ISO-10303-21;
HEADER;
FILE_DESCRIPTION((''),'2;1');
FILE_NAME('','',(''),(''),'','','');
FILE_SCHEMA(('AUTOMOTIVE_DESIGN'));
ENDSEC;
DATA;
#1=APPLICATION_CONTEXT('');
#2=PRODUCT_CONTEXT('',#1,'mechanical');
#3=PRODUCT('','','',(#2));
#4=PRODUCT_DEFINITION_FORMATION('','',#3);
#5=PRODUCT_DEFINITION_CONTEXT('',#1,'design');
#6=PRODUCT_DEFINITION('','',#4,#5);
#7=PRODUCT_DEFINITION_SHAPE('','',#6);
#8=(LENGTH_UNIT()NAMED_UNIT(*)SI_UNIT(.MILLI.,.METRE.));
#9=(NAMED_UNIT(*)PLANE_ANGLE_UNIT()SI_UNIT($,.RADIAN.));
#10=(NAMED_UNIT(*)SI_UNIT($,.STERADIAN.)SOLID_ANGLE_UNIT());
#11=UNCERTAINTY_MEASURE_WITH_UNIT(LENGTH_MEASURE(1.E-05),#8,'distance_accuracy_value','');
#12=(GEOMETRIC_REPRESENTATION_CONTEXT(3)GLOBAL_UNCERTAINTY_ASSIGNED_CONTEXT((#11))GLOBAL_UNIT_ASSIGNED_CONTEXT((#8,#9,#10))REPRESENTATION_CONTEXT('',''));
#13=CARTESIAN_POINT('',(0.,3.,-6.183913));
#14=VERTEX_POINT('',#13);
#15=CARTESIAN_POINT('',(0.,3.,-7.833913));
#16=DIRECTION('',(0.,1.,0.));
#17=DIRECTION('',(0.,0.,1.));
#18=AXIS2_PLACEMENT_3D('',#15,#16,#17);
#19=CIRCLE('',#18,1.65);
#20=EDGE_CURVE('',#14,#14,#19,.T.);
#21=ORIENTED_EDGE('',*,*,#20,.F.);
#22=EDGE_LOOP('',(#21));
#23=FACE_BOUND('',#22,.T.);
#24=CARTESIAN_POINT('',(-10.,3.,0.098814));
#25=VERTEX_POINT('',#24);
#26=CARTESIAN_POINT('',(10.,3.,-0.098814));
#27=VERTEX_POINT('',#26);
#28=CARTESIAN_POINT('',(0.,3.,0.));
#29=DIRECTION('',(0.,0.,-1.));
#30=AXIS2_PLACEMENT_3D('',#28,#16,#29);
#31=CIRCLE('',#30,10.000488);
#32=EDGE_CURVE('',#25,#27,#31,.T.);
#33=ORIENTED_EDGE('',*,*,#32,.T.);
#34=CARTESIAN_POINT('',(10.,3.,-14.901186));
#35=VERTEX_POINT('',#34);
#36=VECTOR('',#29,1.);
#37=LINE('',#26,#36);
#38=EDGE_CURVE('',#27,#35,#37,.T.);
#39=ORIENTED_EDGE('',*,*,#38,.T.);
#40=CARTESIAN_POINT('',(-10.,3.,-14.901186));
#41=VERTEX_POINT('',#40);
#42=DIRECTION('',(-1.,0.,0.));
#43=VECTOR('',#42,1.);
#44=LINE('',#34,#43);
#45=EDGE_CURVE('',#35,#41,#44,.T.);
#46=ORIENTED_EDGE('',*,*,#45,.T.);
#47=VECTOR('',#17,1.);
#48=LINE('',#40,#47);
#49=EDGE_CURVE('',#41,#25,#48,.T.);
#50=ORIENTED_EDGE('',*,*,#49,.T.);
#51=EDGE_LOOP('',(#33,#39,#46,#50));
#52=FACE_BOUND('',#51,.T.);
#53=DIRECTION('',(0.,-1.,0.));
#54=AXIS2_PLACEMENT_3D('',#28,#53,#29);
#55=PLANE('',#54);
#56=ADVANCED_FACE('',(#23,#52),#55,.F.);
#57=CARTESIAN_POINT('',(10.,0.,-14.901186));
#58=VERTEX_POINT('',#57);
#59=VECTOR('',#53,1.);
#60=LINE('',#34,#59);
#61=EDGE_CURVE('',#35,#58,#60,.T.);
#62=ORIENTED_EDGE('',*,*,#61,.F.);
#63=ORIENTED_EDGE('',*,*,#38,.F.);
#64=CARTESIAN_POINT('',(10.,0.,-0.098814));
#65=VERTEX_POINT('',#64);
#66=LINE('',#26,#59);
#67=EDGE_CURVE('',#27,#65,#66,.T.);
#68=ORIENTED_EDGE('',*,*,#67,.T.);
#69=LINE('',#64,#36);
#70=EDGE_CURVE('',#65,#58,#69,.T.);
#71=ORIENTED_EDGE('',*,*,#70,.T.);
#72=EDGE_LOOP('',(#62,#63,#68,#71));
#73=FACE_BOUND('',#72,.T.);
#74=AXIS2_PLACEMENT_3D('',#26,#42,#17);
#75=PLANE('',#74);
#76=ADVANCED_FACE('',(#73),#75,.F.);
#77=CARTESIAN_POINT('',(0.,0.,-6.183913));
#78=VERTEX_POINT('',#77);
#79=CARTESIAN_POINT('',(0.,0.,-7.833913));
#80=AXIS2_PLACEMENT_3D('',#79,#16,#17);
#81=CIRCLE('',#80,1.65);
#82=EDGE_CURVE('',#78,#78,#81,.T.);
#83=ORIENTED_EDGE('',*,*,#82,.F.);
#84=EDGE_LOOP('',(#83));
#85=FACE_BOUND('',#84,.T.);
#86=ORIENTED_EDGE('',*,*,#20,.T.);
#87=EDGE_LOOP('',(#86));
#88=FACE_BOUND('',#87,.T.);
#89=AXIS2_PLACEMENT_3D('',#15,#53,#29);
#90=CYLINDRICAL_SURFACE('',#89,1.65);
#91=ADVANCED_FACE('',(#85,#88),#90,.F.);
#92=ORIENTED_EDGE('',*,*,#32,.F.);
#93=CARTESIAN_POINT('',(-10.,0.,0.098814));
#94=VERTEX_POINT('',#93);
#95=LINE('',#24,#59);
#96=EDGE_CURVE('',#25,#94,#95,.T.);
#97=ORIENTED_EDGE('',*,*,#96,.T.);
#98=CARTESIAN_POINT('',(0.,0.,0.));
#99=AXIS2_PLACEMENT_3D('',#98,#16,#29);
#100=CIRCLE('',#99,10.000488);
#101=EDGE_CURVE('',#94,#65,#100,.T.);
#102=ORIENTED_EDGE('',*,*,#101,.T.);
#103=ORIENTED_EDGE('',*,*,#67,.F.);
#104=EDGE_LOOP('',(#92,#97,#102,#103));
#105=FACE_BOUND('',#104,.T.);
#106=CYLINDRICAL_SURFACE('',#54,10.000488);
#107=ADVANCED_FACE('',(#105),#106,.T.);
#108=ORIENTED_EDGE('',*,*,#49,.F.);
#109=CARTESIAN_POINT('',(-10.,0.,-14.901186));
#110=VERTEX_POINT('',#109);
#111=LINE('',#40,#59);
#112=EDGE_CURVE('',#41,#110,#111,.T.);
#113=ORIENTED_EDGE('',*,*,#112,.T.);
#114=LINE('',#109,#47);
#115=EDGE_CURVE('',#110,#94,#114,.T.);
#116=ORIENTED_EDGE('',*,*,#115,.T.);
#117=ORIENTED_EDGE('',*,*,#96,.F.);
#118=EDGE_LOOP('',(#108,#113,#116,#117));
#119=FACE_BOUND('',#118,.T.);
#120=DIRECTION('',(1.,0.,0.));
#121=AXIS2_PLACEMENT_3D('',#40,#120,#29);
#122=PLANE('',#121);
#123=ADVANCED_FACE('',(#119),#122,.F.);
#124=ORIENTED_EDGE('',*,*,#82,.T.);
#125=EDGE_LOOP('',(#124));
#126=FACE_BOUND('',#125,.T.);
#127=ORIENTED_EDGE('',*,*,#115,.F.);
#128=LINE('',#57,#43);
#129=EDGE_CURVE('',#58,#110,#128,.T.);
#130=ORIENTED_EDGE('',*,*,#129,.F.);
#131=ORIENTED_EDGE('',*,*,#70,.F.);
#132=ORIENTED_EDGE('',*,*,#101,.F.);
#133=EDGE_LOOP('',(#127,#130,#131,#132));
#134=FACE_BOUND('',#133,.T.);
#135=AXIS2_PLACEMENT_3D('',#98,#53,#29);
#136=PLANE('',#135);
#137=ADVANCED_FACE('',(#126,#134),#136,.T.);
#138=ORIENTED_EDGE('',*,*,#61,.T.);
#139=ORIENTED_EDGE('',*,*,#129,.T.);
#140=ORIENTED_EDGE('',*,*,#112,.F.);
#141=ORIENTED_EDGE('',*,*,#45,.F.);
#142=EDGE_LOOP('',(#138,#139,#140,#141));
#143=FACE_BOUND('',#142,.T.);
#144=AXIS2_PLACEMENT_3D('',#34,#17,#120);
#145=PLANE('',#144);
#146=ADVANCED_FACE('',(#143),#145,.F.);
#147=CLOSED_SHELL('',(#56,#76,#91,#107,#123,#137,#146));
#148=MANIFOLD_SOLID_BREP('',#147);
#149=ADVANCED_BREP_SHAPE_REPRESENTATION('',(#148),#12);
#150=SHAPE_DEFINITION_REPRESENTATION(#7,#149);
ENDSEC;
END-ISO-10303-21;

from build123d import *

# Parameters (mm, degrees)
SKETCH_1_R      = 1.65
EXTRUDE_1_DEPTH = 3


with BuildPart() as part:
    # 草图1 → 凸台-拉伸1 (new body)
    with BuildSketch(Plane(origin=(0, 0, 0), x_dir=(1, 0, 0), z_dir=(0, 1, 0))):
        with BuildLine():
            Line((10, 0.098814229), (10, 14.901185771))
            Line((10, 14.901185771), (-10, 14.901185771))
            Line((-10, 14.901185771), (-10, -0.098814229))
            ThreePointArc((-10, -0.098814229), (0.098814229, -10), (10, 0.098814229))
        make_face()
        with Locations(Location((0, 7.833913126, 0), (0, 0, 270))):
            Circle(SKETCH_1_R, mode=Mode.SUBTRACT)
    extrude(amount=EXTRUDE_1_DEPTH)


solid = part.part
